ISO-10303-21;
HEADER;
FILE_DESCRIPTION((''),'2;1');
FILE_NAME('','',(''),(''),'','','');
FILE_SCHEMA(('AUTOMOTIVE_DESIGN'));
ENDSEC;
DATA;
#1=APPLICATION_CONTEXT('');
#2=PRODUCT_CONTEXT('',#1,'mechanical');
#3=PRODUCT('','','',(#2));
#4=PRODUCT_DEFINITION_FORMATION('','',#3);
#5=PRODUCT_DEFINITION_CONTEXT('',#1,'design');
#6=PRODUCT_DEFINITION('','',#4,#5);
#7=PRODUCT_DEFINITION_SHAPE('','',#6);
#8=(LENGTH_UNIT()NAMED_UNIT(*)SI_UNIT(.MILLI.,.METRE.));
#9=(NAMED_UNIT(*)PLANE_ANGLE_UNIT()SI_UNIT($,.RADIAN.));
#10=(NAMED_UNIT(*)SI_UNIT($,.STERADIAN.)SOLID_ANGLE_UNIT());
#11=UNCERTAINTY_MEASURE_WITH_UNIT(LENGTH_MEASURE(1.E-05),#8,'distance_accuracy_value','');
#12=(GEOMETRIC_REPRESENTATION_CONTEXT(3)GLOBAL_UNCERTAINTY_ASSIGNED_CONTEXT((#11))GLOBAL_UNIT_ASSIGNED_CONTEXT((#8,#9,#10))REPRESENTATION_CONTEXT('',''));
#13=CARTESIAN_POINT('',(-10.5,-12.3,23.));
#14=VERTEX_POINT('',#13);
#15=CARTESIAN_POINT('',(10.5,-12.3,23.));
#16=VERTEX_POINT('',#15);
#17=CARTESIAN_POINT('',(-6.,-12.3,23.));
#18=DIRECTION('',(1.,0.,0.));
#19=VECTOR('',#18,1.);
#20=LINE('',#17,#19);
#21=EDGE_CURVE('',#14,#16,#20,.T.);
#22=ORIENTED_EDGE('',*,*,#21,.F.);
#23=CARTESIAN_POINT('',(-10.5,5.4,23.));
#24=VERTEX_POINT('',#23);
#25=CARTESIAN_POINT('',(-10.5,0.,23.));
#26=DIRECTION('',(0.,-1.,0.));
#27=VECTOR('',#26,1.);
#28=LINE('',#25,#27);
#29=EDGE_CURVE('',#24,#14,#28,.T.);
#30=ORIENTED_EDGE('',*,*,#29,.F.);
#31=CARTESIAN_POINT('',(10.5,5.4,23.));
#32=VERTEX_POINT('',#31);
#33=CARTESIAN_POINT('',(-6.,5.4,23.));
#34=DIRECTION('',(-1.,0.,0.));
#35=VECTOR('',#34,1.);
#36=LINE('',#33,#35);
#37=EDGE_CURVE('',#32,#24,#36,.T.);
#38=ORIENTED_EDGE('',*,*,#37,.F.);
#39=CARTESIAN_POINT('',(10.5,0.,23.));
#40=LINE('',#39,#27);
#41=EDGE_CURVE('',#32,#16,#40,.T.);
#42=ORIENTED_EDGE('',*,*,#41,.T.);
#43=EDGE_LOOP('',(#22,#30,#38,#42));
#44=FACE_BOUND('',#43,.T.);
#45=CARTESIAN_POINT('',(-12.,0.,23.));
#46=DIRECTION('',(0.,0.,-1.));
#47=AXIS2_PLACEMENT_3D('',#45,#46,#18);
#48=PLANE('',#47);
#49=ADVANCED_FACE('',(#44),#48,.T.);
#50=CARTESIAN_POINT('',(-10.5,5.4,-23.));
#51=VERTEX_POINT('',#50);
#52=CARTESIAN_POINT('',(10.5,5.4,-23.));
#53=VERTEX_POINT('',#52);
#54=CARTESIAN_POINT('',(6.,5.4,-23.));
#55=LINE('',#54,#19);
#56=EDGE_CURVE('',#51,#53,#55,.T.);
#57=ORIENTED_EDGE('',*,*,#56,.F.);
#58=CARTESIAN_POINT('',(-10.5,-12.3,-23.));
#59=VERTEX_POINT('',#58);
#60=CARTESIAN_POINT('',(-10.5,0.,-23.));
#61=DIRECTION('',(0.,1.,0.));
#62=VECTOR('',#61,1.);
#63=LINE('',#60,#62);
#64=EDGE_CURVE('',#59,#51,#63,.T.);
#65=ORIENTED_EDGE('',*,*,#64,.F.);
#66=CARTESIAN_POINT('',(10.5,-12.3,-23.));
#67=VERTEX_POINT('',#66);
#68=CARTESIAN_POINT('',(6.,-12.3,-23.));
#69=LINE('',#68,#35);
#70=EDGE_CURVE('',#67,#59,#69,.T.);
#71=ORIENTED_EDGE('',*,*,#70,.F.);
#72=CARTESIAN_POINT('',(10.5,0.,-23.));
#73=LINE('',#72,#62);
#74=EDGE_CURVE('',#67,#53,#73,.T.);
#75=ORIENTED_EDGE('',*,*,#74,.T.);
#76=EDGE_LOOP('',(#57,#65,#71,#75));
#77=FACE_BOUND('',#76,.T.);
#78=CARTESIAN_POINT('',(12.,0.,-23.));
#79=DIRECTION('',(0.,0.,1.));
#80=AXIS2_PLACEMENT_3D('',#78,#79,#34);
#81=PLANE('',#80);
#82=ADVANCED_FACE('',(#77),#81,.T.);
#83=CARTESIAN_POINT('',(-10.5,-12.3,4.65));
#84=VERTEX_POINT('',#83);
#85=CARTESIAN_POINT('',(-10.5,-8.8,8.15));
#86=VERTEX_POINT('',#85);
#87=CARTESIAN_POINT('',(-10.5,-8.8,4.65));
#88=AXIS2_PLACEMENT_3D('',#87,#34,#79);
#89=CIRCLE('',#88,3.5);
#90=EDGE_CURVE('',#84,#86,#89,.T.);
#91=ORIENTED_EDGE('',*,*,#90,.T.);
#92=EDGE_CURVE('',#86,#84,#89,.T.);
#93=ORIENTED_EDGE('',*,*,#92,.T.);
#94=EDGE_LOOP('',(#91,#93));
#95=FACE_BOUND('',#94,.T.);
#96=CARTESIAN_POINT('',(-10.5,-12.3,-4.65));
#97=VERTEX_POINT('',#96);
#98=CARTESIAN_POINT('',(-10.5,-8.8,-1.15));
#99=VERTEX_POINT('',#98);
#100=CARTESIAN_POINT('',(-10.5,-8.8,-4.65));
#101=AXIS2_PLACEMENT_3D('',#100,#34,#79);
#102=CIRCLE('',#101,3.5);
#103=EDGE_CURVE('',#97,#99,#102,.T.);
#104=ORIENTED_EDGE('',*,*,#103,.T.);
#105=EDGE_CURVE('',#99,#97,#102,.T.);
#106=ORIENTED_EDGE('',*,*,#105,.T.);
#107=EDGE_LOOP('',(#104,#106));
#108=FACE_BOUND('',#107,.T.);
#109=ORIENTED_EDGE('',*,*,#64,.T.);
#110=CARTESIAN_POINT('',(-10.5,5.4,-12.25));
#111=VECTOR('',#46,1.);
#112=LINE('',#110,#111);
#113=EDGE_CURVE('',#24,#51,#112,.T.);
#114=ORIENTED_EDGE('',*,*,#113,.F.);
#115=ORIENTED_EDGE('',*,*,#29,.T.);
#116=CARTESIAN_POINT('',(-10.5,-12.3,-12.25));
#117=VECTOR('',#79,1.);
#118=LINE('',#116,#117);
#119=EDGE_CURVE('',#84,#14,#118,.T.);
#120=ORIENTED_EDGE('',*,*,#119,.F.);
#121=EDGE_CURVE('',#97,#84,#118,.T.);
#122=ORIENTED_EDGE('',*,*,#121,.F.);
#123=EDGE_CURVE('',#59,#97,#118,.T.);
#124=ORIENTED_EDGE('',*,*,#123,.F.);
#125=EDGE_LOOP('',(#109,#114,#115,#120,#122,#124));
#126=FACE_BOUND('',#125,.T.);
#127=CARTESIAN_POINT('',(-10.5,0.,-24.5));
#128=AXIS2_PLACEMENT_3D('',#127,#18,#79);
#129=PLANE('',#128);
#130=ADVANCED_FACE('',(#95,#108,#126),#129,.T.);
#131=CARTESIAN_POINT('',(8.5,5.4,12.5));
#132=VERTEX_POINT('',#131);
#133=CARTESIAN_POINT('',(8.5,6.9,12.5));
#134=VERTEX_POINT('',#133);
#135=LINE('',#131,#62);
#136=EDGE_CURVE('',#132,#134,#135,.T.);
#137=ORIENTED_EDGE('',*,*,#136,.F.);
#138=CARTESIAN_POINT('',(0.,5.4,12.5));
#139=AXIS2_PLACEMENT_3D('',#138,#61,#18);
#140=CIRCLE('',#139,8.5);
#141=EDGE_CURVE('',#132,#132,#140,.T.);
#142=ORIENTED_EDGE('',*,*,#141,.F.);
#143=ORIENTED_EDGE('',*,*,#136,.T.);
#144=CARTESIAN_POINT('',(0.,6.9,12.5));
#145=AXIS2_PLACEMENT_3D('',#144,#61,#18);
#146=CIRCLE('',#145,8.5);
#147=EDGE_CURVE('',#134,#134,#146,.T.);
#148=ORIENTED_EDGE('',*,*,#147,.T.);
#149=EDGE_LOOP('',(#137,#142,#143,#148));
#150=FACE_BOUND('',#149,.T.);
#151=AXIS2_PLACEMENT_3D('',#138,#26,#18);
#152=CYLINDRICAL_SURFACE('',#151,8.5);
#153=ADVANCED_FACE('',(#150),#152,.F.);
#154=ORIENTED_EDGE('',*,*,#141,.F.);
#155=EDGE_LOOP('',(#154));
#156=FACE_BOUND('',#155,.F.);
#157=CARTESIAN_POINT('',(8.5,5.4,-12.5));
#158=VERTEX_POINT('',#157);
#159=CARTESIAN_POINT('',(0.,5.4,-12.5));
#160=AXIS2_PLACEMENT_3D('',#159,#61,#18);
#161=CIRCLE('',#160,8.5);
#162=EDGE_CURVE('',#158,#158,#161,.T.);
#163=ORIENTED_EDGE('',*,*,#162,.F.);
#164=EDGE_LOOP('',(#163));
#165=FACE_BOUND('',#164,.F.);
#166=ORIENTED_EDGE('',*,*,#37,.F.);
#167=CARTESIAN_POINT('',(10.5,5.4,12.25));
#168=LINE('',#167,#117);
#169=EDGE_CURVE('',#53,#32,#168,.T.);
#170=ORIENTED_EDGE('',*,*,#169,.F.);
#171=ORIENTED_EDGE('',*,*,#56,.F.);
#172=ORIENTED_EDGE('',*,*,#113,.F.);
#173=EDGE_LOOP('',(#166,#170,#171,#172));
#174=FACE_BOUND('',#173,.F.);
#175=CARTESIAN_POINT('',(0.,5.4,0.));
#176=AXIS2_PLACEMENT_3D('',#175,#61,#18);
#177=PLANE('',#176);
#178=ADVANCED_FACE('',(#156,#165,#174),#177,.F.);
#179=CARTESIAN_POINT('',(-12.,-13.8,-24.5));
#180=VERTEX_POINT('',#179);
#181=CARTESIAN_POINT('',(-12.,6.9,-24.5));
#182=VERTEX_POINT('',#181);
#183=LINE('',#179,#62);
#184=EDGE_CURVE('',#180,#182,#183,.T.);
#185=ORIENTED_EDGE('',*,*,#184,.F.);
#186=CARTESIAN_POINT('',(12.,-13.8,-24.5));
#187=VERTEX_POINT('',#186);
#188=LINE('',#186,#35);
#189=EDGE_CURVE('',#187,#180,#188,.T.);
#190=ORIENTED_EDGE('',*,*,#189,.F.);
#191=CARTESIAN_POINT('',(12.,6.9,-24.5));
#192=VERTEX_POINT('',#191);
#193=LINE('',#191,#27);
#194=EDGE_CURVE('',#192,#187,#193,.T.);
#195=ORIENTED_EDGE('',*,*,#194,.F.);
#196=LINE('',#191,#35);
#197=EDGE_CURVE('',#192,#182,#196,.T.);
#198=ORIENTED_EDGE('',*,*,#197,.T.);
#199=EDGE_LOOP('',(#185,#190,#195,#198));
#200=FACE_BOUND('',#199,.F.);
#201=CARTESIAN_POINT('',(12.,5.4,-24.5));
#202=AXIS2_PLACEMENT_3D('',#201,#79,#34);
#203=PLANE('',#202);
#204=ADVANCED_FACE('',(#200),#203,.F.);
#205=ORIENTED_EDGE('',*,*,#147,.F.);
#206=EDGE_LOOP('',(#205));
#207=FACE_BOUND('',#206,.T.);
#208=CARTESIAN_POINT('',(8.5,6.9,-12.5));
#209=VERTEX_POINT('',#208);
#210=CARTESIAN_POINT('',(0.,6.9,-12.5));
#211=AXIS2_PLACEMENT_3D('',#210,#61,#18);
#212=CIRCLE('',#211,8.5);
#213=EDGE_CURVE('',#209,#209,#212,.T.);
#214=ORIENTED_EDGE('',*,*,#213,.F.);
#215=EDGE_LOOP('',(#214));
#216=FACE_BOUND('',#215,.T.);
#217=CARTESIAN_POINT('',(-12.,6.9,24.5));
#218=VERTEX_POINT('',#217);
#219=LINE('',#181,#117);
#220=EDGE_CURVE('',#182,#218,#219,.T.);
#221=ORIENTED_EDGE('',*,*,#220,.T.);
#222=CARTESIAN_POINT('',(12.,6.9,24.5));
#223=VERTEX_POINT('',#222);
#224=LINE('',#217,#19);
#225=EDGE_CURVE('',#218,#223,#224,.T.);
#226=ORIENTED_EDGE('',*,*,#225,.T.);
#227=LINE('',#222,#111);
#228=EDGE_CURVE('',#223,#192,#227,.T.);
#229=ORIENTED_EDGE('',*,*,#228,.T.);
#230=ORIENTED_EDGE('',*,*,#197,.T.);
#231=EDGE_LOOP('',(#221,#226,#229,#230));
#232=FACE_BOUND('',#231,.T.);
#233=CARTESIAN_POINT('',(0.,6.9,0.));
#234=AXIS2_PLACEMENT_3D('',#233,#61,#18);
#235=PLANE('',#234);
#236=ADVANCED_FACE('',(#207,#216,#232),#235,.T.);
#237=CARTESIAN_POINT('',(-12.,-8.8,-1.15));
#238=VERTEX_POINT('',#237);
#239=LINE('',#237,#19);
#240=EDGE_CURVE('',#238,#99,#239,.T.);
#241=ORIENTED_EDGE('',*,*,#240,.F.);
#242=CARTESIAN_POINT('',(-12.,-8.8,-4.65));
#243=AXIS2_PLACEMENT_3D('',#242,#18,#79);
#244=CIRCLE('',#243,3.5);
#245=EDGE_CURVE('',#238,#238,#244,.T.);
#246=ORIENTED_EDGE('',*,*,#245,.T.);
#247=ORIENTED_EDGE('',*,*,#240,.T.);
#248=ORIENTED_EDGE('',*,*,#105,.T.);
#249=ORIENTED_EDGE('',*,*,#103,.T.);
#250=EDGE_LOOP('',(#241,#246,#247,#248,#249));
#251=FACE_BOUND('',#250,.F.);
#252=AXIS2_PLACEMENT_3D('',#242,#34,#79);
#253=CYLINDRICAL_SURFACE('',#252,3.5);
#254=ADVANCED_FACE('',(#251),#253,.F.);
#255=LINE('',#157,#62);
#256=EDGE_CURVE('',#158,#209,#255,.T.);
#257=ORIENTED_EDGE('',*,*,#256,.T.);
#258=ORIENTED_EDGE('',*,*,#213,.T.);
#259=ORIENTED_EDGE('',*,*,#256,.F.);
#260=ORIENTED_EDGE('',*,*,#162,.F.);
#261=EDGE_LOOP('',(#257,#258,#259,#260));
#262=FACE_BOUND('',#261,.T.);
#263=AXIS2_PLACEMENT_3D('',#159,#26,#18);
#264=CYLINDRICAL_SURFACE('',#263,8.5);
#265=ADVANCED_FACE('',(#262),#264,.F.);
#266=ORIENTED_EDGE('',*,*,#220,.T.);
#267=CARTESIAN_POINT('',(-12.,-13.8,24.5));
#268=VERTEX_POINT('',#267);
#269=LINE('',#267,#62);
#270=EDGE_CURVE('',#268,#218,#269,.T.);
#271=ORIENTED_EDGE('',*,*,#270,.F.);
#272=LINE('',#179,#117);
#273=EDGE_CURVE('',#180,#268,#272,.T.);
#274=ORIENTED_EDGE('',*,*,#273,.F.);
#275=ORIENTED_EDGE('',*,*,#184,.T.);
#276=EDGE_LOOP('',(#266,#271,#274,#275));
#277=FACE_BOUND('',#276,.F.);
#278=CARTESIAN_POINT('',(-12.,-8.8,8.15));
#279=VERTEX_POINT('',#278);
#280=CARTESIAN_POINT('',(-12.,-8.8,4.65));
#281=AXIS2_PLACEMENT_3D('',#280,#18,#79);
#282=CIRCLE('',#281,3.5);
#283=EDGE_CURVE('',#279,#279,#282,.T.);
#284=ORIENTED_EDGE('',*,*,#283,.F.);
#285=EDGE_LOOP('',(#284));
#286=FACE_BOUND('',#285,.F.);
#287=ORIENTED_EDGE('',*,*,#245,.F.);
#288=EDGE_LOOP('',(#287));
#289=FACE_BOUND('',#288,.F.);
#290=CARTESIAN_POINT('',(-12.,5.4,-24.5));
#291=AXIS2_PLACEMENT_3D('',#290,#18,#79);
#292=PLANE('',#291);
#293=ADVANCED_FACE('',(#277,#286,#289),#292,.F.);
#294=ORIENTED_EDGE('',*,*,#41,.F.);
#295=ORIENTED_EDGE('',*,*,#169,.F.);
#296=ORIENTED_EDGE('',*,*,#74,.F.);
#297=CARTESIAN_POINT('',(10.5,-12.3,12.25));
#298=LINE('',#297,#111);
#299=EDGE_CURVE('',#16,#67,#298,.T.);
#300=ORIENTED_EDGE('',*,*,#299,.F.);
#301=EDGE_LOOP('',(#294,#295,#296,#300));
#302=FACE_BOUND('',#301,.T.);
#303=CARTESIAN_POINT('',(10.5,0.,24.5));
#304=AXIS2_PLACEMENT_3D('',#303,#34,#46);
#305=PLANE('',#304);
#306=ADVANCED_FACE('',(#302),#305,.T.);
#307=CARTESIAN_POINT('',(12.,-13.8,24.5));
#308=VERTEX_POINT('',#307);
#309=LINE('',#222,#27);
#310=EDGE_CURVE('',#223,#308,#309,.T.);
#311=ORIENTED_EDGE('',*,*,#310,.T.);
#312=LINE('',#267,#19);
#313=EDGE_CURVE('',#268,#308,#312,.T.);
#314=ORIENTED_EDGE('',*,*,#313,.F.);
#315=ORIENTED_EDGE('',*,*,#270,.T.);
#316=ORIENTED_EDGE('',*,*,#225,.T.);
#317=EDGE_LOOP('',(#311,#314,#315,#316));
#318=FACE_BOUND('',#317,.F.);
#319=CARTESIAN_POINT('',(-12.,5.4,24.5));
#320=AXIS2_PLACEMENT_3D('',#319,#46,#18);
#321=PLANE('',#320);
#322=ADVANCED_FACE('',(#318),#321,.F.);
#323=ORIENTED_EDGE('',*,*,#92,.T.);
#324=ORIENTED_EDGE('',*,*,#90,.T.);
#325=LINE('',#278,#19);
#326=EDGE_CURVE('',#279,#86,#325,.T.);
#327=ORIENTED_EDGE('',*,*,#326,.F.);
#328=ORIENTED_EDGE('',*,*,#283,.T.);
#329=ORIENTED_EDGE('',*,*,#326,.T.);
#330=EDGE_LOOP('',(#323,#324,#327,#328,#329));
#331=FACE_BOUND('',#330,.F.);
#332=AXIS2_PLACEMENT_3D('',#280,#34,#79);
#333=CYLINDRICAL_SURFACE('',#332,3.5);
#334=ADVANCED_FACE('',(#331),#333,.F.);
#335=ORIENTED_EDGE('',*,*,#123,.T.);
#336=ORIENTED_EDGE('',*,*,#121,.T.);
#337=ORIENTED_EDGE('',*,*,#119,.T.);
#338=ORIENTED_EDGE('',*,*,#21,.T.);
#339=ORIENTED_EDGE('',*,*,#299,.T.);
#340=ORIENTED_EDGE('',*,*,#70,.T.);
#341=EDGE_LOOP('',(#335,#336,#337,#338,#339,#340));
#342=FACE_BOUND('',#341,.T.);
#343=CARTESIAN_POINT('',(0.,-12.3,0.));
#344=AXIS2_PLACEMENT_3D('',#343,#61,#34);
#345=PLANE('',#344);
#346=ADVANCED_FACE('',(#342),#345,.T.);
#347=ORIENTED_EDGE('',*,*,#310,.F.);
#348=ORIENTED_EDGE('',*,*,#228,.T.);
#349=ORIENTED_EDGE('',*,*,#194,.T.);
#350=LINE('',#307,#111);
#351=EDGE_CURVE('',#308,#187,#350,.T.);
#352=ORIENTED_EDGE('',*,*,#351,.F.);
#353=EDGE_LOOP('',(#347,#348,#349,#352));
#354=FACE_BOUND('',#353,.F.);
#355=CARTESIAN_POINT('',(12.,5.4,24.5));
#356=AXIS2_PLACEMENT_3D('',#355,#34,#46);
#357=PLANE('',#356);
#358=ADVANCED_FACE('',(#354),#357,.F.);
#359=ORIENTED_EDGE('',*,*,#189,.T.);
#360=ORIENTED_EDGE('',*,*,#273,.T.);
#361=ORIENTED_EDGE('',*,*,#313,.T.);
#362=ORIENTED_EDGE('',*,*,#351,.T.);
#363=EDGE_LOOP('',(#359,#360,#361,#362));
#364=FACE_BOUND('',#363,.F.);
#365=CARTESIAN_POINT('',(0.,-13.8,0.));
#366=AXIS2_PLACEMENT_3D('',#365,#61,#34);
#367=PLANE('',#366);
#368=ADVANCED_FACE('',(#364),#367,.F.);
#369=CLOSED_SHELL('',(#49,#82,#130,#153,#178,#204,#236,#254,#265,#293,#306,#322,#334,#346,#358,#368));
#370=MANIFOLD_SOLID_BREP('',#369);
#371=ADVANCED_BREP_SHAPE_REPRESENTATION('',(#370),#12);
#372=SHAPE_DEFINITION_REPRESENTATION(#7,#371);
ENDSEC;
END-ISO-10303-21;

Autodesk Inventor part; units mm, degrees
ref_plane "YZ Plane" through (0, 0, 0) normal (1, 0, 0) x (0, 1, 0)
ref_plane "XZ Plane" through (0, 0, 0) normal (0, 1, 0) x (-1, 0, 0)
ref_plane "XY Plane" through (0, 0, 0) normal (0, 0, 1) x (1, 0, 0)
sketch "Sketch1" plane through (0, 0, 0) normal (0, 1, 0) x (-1, 0, 0)
  line L0 (-12, -24.5) -> (12, -24.5)
  line L1 (12, -24.5) -> (12, 24.5)
  line L2 (12, 24.5) -> (-12, 24.5)
  line L3 (-12, 24.5) -> (-12, -24.5)
  line L4 (-12, -24.5) -> (12, 24.5) construction
  line L5 (12, -24.5) -> (-12, 24.5) construction
  point P0 (0, 0)
  dimension "d0" = 24
  dimension "d1" = 49
extrude "Extrusion1" add sketch "Sketch1" along normal blind 5.4 and the other way blind 13.8
shell "Shell1" thickness 1.5 removed faces 1 at (4, 5.4, 8.1667)
sketch "Sketch2" plane through (-12, -13.8, 24.5) normal (-1, 0, 0) x (0, 0, 1)
  line L0 (0, 0) -> (0, 19.2) projected
  line L1 (-49, 19.2) -> (-49, 0) projected
  line L2 (0, 0) -> (-49, 0) projected
  line L3 (-49, 0) -> (-49, 19.2) projected
  line L4 (-49, 1.5) -> (0, 1.5)
  circle A0 centre (-29.15, 5) radius 3.5
  line L5 (-24.5, 13.8) -> (-24.5, 1.5)
  line L6 (-24.5, 11) -> (0, 11)
  line L7 (-24.5, 13) -> (-49, 13)
  circle A1 centre (-19.85, 5) radius 3.5
  point P0 (-24.5, 13.8)
  dimension "d7" = 1.5
  dimension "d8" = 3.5
  dimension "d9" = 7
  dimension "d10" = 4.65
  dimension "d11" = 7
  dimension "d12" = 1.15
extrude "Extrusion2" cut sketch "Sketch2" against normal blind 5.4 contours A1 | A0
sketch "Sketch3" plane through (0, 5.4, 0) normal (0, 1, 0) x (1, 0, 0)
  line L0 (-10.5, 23) -> (10.5, 23) projected
  line L1 (10.5, 23) -> (10.5, -23) projected
  line L2 (10.5, -23) -> (-10.5, -23) projected
  line L3 (-12, 24.5) -> (-12, -24.5) projected
  line L4 (-12, -24.5) -> (12, -24.5) projected
  line L5 (12, -24.5) -> (12, 24.5) projected
  line L6 (12, 24.5) -> (-12, 24.5) projected
  line L7 (12, 24.5) -> (-12, 24.5)
  line L8 (-12, 24.5) -> (-12, -24.5)
  line L9 (-12, -24.5) -> (12, -24.5)
  line L10 (12, -24.5) -> (12, 24.5)
  circle A0 centre (0, 12.5) radius 8.5
  circle A1 centre (0, -12.5) radius 8.5
  point P0 (0, 0)
  dimension "d15" = 17
  dimension "d16" = 2
  dimension "d17" = 2
  dimension "d18" = 17
  dimension "d19" = 2
  dimension "d20" = 2
extrude "Extrusion3" add sketch "Sketch3" along normal blind 1.5
properties part number "carcasaXeotype_ULTRASONIC"
